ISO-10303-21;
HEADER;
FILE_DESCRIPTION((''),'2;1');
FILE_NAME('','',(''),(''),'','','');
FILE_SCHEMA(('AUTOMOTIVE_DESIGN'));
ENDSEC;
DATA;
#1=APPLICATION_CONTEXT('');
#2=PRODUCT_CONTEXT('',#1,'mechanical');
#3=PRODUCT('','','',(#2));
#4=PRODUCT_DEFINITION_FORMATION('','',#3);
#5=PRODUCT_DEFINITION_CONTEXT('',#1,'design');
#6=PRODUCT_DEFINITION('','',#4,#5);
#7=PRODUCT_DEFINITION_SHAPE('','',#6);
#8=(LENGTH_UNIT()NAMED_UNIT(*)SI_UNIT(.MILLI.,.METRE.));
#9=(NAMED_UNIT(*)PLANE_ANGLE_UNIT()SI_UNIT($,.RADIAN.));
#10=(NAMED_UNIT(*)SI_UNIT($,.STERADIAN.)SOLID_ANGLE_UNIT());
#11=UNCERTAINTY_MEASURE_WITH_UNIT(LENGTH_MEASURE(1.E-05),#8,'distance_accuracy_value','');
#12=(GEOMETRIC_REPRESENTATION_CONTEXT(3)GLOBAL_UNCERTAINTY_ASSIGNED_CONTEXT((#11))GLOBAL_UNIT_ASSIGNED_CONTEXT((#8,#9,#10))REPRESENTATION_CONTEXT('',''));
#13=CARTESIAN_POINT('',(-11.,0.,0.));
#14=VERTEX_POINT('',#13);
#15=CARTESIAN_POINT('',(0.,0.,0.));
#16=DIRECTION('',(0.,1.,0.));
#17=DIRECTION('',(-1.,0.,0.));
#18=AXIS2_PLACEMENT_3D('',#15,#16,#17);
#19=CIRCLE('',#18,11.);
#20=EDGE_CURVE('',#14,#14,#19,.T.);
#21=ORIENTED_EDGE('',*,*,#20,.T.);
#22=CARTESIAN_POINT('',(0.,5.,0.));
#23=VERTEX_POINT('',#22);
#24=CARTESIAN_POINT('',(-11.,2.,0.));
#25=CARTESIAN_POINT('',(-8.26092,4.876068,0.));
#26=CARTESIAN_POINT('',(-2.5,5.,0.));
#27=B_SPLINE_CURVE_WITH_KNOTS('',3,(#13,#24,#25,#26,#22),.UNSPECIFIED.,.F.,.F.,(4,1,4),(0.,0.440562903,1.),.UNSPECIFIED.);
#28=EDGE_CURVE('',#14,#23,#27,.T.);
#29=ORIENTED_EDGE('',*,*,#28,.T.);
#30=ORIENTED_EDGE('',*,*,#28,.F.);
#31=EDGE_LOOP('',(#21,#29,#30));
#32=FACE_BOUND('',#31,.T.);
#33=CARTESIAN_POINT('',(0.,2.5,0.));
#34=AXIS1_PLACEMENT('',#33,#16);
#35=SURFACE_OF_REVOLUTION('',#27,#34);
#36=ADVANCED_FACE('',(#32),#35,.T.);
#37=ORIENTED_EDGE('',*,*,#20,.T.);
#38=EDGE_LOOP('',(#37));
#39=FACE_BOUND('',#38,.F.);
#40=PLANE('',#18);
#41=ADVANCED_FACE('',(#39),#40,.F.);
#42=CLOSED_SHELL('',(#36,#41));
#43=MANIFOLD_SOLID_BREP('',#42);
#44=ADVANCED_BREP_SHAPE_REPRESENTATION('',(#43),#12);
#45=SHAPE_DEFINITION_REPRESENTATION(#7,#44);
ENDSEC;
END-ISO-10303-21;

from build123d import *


with BuildPart() as f1:
    # F0 (on Top) → F1 (revolve)
    with BuildSketch(Plane.XY):
        with BuildLine():
            Line((-11, 0), (0, 0))
            Line((0, 0), (0, 5))
            add(Edge.make_bspline(
                [(-11, 0), (-11, 2), (-8.2609202721, 4.8760679014), (-2.5, 5), (0, 5)],
                knots=[0, 0, 0, 0, 0.4405629027, 1, 1, 1, 1], degree=3))
        make_face()
    revolve(axis=Axis((0, 2.5, 0), (0, 1, 0)))


solid = f1.part
